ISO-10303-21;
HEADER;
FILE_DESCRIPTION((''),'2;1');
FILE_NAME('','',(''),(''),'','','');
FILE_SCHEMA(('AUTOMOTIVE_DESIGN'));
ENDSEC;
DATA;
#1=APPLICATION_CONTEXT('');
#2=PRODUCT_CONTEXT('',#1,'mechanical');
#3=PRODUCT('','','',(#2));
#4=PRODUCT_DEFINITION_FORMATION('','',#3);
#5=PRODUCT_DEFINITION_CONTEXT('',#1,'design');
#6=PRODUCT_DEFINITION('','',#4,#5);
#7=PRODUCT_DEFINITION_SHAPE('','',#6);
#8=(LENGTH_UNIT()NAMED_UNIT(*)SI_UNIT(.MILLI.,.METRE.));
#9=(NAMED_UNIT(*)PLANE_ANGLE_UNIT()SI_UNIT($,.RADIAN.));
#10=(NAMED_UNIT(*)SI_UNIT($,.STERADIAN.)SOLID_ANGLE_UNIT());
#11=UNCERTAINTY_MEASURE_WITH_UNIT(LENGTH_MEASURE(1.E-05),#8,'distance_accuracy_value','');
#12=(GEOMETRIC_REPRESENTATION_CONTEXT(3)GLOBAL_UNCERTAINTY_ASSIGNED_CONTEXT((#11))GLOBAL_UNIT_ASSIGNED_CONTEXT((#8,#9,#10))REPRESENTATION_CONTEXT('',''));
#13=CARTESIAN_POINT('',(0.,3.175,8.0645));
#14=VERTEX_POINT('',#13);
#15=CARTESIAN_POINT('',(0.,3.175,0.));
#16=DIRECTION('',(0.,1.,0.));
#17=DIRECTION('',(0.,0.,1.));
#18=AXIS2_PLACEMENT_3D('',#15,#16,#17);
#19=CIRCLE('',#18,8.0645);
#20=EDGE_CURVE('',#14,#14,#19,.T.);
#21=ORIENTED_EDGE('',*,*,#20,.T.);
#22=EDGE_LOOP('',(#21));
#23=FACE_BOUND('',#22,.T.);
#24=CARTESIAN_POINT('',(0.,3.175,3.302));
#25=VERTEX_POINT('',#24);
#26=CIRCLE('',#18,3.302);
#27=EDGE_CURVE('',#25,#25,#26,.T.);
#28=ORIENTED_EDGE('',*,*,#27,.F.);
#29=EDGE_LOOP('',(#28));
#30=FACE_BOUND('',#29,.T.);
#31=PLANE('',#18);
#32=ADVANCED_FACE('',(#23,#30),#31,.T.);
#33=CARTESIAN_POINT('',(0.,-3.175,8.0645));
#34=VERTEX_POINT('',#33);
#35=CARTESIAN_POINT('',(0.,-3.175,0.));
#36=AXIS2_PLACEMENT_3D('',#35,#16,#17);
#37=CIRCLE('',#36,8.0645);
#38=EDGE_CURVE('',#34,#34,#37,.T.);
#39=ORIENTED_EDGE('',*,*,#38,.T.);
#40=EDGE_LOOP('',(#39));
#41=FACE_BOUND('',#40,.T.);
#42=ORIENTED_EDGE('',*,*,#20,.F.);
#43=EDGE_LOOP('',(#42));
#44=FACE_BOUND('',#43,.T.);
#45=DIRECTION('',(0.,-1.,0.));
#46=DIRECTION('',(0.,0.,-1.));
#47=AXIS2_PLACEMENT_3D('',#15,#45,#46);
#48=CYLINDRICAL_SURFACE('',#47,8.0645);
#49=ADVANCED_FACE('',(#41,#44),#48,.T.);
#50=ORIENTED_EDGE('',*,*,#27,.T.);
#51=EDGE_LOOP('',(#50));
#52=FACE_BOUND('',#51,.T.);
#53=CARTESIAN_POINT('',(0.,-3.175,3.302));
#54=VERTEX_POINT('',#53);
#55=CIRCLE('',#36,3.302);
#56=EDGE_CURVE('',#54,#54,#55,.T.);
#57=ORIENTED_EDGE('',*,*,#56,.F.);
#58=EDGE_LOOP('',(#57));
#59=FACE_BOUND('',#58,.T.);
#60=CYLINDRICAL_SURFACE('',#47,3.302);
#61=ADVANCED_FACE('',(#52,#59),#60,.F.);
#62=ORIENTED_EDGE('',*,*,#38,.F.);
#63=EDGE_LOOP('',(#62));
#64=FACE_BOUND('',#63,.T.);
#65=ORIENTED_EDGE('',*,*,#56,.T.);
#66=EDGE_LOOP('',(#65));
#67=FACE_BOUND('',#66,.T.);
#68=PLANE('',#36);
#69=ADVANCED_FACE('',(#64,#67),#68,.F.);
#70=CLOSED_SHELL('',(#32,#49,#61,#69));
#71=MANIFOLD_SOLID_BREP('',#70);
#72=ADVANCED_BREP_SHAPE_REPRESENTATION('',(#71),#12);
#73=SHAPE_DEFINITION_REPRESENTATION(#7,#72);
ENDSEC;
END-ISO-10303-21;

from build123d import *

# Parameters (mm, degrees)
SKETCH1_R           = 8.0645
SKETCH1_R_2         = 3.302
BOSS_EXTRUDE1_DEPTH = 3.175


with BuildPart() as part:
    # Sketch1 → Boss-Extrude1 (new body, symmetric)
    with BuildSketch(Plane(origin=(0, 0, 0), x_dir=(1, 0, 0), z_dir=(0, 1, 0))):
        Circle(SKETCH1_R)
        Circle(SKETCH1_R_2, mode=Mode.SUBTRACT)
    extrude(amount=BOSS_EXTRUDE1_DEPTH, both=True)


solid = part.part
